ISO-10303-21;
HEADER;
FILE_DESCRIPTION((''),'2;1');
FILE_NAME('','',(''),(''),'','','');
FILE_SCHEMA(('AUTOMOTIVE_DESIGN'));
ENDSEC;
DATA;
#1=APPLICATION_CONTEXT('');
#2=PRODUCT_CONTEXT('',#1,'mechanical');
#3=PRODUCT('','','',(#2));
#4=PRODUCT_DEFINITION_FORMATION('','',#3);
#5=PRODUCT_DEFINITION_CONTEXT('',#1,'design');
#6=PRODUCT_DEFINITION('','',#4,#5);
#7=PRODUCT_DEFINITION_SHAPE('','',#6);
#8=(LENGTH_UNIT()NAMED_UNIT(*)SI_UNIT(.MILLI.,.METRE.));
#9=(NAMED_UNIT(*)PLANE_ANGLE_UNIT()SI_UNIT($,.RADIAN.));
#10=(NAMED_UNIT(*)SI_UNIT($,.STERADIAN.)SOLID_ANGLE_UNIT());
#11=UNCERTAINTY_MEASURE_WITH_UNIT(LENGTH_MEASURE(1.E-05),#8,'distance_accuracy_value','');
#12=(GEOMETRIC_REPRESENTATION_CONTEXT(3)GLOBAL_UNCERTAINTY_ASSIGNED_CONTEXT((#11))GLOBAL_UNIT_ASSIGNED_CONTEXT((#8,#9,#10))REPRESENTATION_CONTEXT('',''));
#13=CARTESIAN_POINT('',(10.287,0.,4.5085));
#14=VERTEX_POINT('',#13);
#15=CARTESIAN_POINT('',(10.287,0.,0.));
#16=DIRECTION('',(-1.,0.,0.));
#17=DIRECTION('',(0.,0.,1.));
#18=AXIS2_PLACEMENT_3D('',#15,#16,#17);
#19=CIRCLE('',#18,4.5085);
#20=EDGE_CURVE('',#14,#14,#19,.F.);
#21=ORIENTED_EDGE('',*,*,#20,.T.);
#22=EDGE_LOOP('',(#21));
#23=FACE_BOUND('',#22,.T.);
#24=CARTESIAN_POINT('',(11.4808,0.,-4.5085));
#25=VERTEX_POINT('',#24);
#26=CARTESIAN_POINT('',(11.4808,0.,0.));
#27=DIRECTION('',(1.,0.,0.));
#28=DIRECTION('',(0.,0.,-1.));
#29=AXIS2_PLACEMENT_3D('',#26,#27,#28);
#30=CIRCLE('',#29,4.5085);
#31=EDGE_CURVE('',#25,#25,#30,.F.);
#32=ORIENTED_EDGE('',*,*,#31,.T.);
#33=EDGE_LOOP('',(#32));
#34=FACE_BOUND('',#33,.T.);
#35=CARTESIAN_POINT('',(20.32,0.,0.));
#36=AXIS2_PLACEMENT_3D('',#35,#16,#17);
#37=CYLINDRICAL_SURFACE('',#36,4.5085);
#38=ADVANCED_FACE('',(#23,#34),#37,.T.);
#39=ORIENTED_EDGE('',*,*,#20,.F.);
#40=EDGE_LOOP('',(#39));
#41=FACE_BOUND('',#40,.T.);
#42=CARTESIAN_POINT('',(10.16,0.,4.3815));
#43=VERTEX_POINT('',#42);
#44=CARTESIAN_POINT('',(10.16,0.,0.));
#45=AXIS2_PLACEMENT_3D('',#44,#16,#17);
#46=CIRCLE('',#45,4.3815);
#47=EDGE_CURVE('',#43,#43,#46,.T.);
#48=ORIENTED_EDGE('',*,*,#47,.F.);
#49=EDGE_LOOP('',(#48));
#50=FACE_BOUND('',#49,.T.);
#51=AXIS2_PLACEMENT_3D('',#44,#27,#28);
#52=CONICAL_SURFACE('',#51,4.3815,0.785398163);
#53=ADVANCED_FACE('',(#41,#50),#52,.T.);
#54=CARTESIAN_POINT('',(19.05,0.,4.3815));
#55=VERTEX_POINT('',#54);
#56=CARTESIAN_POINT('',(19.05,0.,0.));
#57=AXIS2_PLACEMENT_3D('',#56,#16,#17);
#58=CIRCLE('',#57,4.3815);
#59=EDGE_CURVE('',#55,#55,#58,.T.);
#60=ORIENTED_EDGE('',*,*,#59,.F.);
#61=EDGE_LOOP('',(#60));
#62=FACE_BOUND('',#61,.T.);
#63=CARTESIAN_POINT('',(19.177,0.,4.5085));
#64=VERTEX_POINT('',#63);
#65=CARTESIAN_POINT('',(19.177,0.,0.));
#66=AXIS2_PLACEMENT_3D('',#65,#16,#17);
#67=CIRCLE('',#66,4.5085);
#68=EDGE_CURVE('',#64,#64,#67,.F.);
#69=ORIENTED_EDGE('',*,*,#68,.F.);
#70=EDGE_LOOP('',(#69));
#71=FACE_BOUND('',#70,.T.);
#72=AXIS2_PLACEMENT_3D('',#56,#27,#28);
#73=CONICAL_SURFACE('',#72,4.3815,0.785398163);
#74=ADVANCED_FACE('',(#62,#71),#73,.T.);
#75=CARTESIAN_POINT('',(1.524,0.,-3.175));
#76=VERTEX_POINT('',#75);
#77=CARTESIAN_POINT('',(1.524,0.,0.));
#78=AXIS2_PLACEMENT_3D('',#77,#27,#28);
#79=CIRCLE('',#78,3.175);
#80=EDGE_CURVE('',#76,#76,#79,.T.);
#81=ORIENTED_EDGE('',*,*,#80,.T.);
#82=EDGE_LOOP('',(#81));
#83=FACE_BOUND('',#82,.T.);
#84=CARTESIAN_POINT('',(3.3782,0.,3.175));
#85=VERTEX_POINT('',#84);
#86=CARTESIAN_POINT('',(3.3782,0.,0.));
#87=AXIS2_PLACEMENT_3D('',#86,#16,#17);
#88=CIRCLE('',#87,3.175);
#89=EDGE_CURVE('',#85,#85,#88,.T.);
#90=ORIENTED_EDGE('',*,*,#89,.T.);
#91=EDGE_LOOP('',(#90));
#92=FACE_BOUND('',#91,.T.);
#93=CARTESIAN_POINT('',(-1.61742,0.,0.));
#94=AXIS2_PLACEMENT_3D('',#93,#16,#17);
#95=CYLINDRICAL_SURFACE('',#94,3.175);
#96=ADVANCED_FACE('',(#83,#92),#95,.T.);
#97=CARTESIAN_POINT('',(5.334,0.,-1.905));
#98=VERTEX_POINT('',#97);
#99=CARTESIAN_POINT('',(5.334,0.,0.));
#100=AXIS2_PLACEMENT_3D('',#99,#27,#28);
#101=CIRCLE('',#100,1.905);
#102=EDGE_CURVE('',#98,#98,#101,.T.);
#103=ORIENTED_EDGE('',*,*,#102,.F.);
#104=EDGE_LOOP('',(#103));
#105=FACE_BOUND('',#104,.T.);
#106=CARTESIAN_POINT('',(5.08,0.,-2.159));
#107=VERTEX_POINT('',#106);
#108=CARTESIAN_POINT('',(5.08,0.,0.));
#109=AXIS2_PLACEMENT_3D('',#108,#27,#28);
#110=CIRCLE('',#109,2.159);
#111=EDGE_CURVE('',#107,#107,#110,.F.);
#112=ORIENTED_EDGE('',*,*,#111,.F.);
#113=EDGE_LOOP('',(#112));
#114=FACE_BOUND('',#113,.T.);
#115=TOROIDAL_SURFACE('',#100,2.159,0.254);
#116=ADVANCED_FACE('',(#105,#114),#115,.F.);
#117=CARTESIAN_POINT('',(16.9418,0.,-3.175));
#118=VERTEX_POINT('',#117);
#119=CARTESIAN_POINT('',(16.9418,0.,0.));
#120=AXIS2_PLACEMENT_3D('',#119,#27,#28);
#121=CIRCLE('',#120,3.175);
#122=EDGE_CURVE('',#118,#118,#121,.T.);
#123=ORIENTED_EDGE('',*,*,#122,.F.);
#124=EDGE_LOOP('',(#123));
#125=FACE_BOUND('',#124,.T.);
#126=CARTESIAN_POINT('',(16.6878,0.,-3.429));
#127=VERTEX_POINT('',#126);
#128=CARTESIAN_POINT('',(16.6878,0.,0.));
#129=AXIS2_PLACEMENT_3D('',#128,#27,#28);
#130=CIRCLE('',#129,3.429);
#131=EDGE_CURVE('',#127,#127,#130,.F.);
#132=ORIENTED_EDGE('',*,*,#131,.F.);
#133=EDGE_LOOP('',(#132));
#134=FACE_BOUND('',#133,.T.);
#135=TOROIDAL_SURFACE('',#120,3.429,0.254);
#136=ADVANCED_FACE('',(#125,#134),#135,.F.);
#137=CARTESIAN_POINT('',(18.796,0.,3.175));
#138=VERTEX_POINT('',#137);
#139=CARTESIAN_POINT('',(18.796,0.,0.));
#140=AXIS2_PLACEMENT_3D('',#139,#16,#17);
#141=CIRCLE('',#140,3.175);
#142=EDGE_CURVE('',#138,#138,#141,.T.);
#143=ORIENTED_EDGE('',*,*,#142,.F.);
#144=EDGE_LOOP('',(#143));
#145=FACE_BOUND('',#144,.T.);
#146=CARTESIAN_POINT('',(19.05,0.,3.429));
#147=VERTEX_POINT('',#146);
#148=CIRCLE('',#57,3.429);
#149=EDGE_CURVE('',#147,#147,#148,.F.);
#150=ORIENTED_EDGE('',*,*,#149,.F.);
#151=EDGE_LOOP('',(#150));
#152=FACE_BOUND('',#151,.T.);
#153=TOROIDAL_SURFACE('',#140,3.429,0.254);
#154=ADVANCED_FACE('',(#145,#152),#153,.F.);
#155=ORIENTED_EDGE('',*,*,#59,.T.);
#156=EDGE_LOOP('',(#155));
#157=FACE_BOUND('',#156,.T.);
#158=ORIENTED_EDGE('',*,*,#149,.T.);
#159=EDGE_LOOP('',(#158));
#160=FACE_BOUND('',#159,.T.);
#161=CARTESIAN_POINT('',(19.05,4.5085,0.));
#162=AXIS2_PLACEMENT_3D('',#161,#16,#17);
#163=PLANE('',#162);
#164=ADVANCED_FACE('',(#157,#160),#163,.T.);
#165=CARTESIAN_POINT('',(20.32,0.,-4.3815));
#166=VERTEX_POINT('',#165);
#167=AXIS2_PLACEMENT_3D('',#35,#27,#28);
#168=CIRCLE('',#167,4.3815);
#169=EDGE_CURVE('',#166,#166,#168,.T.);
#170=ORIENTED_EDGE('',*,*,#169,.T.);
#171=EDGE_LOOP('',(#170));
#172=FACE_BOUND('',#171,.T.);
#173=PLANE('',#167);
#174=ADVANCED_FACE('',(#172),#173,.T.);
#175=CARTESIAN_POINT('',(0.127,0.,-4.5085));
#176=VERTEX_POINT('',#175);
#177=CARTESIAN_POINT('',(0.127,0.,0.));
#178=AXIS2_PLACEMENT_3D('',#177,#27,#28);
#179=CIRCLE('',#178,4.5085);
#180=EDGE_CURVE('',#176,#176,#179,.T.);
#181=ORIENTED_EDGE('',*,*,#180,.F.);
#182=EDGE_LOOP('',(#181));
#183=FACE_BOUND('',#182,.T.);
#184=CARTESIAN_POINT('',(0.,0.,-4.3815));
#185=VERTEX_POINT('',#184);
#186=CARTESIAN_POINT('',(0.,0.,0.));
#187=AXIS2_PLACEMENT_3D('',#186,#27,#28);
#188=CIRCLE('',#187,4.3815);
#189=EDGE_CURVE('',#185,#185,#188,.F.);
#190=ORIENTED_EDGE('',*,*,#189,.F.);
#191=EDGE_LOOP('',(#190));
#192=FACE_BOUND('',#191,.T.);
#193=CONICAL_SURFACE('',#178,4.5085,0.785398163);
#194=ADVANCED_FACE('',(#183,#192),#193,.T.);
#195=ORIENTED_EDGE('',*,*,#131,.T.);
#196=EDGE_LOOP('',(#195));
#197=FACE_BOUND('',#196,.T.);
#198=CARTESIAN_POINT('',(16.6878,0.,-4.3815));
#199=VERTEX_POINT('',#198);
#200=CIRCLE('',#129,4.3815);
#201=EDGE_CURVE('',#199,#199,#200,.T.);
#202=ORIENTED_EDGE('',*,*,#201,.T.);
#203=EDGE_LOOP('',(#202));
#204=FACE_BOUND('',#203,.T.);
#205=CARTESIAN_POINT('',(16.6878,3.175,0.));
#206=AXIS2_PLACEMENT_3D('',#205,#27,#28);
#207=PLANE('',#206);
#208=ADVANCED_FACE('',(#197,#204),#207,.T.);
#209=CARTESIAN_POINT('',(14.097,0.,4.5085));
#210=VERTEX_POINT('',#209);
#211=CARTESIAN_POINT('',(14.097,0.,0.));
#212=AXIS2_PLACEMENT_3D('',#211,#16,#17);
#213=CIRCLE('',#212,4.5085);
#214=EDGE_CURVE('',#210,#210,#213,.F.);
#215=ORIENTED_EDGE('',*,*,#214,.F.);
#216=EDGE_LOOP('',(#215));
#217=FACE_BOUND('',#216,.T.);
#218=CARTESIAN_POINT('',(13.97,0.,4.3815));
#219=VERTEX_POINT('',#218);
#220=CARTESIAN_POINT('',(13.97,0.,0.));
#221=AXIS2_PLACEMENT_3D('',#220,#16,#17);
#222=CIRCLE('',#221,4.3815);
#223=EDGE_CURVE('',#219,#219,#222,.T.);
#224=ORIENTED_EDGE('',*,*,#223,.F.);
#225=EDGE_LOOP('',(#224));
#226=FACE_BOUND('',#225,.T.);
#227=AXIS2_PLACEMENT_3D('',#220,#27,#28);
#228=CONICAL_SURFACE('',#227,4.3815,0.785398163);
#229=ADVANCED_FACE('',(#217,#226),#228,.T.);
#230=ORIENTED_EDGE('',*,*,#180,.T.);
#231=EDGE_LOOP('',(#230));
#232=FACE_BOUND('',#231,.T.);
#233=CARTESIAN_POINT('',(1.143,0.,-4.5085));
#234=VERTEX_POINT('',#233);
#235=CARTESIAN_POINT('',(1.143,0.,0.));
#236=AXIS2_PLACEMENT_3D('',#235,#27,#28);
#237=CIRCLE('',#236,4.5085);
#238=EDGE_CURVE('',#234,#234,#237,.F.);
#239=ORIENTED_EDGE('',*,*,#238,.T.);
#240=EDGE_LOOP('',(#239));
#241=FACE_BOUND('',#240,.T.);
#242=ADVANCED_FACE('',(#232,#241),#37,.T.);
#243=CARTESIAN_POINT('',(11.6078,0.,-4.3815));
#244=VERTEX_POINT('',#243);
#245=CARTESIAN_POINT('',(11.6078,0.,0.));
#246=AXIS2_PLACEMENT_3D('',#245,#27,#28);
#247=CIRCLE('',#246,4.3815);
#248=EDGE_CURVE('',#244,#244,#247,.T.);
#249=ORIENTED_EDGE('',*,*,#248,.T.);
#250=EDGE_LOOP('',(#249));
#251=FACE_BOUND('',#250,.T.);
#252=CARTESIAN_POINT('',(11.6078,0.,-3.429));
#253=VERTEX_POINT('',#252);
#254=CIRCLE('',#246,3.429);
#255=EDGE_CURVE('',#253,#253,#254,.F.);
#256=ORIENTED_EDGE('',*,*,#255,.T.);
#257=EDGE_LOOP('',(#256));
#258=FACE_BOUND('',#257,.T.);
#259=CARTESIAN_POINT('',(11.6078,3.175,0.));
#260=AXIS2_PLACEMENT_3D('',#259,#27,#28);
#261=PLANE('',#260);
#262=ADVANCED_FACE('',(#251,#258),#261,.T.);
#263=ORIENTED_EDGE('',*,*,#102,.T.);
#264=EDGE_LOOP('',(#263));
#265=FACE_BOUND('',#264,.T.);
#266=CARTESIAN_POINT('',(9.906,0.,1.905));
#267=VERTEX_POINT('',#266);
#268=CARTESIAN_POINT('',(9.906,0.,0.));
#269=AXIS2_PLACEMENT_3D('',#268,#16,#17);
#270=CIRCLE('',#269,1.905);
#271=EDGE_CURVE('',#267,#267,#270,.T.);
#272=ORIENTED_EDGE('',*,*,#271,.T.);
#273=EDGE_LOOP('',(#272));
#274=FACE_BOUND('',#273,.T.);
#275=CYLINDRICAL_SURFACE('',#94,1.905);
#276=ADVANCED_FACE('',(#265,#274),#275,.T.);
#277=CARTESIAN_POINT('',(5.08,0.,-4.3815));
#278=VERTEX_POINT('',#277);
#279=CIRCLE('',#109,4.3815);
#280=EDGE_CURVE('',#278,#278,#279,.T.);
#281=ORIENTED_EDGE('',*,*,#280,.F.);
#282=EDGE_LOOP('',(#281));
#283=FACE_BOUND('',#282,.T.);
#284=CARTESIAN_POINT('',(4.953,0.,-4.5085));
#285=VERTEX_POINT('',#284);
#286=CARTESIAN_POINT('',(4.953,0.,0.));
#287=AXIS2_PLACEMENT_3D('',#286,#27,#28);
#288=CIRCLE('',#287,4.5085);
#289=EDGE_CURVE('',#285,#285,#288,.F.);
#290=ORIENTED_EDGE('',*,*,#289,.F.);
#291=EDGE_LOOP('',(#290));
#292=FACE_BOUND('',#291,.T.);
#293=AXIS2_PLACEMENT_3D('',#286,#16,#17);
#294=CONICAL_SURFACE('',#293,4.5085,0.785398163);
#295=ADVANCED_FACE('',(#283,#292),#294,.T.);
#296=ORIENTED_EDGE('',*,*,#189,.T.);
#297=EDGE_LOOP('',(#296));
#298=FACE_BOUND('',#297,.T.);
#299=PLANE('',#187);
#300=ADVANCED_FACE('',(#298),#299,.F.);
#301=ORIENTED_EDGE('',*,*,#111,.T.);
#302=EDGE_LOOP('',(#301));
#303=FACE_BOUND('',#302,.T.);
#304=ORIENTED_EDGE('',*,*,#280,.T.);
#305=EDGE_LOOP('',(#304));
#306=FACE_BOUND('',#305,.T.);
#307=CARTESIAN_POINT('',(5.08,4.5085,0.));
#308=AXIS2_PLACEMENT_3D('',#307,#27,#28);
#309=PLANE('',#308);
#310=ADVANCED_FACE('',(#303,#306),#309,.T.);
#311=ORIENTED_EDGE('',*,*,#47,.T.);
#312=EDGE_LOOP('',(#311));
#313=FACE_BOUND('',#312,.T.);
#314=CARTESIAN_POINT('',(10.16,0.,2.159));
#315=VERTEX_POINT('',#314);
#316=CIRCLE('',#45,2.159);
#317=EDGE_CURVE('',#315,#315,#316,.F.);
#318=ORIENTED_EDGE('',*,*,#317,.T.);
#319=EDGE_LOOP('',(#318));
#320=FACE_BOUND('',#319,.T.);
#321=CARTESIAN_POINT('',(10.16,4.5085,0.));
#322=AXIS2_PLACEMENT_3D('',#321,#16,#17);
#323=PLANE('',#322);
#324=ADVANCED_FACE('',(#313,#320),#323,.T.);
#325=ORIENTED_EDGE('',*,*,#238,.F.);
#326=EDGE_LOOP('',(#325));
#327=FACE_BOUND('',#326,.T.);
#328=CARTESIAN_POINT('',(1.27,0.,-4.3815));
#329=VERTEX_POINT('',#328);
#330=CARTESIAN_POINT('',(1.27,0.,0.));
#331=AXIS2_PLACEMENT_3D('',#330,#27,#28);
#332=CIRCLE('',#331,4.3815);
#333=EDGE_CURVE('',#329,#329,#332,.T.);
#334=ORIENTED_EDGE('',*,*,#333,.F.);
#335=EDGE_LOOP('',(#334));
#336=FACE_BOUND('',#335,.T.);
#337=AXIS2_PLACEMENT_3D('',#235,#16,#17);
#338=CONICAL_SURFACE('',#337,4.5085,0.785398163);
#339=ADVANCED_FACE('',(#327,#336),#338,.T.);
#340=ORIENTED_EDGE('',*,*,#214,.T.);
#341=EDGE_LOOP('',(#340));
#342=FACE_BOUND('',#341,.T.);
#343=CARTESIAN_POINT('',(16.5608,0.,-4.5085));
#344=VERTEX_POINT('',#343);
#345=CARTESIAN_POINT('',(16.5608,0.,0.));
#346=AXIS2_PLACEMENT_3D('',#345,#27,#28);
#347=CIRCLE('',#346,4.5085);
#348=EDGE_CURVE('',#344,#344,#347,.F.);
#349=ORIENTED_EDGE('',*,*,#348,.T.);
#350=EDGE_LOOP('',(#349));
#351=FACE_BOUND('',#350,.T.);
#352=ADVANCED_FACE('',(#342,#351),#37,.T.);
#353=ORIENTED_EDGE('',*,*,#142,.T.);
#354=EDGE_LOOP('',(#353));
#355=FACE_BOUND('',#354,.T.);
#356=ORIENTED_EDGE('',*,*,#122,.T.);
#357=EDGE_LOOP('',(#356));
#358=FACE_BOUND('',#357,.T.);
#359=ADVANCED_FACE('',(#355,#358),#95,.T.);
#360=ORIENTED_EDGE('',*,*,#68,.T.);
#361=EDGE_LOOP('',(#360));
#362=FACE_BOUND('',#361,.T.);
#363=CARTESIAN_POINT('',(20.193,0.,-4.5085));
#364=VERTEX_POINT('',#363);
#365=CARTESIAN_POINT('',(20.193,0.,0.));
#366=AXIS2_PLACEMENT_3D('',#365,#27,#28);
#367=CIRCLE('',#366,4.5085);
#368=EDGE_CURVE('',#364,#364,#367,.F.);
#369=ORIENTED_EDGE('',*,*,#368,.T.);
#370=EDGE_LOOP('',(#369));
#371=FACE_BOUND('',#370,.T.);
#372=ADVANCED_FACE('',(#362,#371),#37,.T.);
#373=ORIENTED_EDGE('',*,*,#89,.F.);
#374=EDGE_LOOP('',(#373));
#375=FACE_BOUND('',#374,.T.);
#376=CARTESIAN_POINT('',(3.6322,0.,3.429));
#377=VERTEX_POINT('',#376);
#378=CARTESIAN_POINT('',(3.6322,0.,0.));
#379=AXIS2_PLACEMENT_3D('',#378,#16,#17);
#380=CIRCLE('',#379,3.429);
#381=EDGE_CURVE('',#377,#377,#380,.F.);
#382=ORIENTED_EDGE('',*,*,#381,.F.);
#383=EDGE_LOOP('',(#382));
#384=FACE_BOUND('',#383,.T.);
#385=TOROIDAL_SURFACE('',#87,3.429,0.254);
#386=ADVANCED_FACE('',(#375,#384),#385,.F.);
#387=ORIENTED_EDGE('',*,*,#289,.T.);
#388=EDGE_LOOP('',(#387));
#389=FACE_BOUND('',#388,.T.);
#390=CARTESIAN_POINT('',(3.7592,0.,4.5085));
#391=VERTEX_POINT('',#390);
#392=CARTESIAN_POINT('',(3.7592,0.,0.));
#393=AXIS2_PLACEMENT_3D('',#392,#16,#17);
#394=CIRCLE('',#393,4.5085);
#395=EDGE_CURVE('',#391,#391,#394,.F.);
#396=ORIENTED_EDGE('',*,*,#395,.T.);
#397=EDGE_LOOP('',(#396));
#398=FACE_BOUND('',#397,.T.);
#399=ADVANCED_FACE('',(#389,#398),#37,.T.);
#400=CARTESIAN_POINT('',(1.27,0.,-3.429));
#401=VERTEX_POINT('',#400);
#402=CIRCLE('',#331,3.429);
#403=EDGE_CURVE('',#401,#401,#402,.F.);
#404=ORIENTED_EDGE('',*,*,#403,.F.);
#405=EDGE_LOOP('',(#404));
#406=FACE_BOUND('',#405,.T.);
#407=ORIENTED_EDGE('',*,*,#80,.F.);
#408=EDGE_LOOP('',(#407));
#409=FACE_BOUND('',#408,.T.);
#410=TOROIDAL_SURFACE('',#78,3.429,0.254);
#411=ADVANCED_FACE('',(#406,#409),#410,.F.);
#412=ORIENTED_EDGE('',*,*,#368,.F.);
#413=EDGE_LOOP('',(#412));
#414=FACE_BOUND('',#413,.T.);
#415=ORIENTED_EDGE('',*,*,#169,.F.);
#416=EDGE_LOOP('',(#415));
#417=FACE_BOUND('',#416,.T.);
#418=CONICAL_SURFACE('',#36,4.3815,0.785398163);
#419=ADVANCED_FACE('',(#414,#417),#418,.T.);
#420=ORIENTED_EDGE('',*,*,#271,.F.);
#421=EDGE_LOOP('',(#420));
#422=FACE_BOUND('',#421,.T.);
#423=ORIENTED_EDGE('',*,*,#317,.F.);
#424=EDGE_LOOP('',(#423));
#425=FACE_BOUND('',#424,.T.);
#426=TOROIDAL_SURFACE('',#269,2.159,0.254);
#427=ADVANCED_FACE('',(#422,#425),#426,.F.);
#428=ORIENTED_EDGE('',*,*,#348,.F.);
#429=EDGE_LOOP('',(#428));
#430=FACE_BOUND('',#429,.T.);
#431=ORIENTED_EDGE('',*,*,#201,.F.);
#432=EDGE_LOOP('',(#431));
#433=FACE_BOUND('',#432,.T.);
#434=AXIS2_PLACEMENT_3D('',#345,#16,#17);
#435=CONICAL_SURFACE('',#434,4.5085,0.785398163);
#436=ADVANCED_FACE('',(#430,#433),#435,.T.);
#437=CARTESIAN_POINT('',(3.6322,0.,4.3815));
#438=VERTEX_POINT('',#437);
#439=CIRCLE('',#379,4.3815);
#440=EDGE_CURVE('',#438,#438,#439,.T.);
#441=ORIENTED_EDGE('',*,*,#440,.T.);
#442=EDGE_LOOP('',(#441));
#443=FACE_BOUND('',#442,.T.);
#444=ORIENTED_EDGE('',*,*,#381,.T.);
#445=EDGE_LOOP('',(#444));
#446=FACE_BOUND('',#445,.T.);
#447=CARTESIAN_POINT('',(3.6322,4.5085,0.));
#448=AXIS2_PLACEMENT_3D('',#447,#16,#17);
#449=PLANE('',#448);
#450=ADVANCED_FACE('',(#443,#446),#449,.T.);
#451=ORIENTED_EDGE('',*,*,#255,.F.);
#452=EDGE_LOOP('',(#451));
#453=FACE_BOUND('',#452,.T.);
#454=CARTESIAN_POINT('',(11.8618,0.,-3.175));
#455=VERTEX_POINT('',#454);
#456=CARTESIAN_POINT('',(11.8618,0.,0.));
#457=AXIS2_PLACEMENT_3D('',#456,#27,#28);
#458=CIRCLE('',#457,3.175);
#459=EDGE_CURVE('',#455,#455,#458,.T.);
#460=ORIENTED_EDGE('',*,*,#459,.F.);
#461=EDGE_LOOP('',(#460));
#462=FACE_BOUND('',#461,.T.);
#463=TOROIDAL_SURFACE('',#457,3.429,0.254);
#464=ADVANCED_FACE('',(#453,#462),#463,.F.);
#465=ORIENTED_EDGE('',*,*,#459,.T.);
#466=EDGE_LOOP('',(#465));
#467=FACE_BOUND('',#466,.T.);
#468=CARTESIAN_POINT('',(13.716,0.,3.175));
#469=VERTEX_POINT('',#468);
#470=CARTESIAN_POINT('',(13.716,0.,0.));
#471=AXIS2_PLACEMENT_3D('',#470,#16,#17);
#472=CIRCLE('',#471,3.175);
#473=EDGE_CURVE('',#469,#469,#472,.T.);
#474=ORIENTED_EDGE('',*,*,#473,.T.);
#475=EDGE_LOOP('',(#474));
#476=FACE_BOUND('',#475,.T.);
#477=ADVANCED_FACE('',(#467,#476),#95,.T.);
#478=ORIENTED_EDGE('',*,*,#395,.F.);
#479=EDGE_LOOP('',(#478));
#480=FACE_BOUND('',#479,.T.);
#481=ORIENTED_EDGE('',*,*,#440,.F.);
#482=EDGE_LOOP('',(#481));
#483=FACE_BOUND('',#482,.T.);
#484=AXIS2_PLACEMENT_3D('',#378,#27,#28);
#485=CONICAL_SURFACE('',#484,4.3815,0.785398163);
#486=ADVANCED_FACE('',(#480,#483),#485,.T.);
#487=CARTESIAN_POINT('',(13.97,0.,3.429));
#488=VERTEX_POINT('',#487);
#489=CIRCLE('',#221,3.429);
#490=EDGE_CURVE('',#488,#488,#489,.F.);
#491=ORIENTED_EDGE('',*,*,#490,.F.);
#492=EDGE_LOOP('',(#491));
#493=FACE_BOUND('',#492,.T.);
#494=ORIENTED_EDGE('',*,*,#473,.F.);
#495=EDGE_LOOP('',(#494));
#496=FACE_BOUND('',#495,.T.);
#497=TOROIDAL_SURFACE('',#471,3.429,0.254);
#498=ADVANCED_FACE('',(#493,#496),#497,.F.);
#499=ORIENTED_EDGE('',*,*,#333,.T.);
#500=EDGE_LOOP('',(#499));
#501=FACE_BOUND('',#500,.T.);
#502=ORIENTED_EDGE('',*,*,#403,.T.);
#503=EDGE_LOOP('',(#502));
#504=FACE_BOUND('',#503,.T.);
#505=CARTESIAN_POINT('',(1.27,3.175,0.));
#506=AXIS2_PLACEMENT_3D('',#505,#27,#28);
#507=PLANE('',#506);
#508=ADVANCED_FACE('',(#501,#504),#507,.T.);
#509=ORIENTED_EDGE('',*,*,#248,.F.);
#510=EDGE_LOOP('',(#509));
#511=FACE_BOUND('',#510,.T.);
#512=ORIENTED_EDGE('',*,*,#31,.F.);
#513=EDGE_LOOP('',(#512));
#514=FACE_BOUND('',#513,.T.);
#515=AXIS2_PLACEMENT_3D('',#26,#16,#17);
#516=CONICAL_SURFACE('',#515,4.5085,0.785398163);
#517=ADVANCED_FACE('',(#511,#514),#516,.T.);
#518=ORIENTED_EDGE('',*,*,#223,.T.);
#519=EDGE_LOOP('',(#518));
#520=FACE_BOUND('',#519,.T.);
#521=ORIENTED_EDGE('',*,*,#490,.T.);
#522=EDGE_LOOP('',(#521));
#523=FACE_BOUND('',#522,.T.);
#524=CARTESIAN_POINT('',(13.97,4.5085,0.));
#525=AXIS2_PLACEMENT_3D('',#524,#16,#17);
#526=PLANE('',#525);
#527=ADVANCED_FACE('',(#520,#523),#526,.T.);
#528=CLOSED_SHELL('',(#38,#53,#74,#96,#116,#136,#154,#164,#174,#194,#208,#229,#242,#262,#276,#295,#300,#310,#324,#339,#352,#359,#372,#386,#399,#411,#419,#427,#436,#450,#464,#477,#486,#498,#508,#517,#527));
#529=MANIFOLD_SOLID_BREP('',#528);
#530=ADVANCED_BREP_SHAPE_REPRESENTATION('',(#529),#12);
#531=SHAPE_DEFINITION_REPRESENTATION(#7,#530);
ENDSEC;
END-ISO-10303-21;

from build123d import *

# Parameters (mm, degrees)
SKETCH1_R           = 4.5085
BOSS_EXTRUDE1_DEPTH = 20.32
SKETCH2_W           = 2.3622
SKETCH2_H           = 1.3335
SKETCH2_W_2         = 5.08
SKETCH2_H_2         = 2.6035
FILLET1_R           = 0.254
CHAMFER1_SIZE       = 0.127
CHAMFER2_SIZE       = 0.127


with BuildPart() as part:
    # Sketch1 → Boss-Extrude1 (new body)
    with BuildSketch(Plane(origin=(0, 0, 0), x_dir=(0, 0, -1), z_dir=(1, 0, 0))):
        Circle(SKETCH1_R)
    extrude(amount=BOSS_EXTRUDE1_DEPTH)

    # Sketch2 → Cut-Revolve1 (revolve, cut)
    with BuildSketch(Plane.XY, mode=Mode.PRIVATE) as cut_revolve1_sk:
        with Locations((2.4511, 3.84175)):
            Rectangle(SKETCH2_W, SKETCH2_H)
        with Locations((17.8689, 3.84175)):
            Rectangle(SKETCH2_W, SKETCH2_H)
        with Locations((12.7889, 3.84175)):
            Rectangle(SKETCH2_W, SKETCH2_H)
        with Locations((7.62, 3.20675)):
            Rectangle(SKETCH2_W_2, SKETCH2_H_2)
    revolve(cut_revolve1_sk.sketch.rotate(Axis((-1.617419624, 0, 0), (1, 0, 0)), 90), axis=Axis((-1.617419624, 0, 0), (1, 0, 0)), mode=Mode.SUBTRACT)

    # Fillet1
    fillet1_edges = [part.edges().sort_by_distance(p)[0] for p in [
        (3.6322, 0, -3.175),
        (1.27, 0, -3.175),
        (19.05, 0, -3.175),
        (16.6878, 0, -3.175),
        (13.97, 0, -3.175),
        (11.6078, 0, -3.175),
        (5.08, 0, -1.905),
        (10.16, 0, -1.905),
    ]]
    fillet(fillet1_edges, radius=FILLET1_R)

    # Chamfer1
    chamfer1_edges = [part.edges().sort_by_distance(p)[0] for p in [
        (3.6322, 0, 4.5085),
        (19.05, 0, 4.5085),
        (13.97, 0, 4.5085),
        (10.16, 0, 4.5085),
        (0, 0, 4.5085),
    ]]
    chamfer(chamfer1_edges, length=CHAMFER1_SIZE)

    # Chamfer2
    chamfer2_edges = [part.edges().sort_by_distance(p)[0] for p in [
        (1.27, 0, 4.5085),
        (16.6878, 0, 4.5085),
        (11.6078, 0, 4.5085),
        (5.08, 0, 4.5085),
        (20.32, 0, 4.5085),
    ]]
    chamfer(chamfer2_edges, length=CHAMFER2_SIZE)


solid = part.part
